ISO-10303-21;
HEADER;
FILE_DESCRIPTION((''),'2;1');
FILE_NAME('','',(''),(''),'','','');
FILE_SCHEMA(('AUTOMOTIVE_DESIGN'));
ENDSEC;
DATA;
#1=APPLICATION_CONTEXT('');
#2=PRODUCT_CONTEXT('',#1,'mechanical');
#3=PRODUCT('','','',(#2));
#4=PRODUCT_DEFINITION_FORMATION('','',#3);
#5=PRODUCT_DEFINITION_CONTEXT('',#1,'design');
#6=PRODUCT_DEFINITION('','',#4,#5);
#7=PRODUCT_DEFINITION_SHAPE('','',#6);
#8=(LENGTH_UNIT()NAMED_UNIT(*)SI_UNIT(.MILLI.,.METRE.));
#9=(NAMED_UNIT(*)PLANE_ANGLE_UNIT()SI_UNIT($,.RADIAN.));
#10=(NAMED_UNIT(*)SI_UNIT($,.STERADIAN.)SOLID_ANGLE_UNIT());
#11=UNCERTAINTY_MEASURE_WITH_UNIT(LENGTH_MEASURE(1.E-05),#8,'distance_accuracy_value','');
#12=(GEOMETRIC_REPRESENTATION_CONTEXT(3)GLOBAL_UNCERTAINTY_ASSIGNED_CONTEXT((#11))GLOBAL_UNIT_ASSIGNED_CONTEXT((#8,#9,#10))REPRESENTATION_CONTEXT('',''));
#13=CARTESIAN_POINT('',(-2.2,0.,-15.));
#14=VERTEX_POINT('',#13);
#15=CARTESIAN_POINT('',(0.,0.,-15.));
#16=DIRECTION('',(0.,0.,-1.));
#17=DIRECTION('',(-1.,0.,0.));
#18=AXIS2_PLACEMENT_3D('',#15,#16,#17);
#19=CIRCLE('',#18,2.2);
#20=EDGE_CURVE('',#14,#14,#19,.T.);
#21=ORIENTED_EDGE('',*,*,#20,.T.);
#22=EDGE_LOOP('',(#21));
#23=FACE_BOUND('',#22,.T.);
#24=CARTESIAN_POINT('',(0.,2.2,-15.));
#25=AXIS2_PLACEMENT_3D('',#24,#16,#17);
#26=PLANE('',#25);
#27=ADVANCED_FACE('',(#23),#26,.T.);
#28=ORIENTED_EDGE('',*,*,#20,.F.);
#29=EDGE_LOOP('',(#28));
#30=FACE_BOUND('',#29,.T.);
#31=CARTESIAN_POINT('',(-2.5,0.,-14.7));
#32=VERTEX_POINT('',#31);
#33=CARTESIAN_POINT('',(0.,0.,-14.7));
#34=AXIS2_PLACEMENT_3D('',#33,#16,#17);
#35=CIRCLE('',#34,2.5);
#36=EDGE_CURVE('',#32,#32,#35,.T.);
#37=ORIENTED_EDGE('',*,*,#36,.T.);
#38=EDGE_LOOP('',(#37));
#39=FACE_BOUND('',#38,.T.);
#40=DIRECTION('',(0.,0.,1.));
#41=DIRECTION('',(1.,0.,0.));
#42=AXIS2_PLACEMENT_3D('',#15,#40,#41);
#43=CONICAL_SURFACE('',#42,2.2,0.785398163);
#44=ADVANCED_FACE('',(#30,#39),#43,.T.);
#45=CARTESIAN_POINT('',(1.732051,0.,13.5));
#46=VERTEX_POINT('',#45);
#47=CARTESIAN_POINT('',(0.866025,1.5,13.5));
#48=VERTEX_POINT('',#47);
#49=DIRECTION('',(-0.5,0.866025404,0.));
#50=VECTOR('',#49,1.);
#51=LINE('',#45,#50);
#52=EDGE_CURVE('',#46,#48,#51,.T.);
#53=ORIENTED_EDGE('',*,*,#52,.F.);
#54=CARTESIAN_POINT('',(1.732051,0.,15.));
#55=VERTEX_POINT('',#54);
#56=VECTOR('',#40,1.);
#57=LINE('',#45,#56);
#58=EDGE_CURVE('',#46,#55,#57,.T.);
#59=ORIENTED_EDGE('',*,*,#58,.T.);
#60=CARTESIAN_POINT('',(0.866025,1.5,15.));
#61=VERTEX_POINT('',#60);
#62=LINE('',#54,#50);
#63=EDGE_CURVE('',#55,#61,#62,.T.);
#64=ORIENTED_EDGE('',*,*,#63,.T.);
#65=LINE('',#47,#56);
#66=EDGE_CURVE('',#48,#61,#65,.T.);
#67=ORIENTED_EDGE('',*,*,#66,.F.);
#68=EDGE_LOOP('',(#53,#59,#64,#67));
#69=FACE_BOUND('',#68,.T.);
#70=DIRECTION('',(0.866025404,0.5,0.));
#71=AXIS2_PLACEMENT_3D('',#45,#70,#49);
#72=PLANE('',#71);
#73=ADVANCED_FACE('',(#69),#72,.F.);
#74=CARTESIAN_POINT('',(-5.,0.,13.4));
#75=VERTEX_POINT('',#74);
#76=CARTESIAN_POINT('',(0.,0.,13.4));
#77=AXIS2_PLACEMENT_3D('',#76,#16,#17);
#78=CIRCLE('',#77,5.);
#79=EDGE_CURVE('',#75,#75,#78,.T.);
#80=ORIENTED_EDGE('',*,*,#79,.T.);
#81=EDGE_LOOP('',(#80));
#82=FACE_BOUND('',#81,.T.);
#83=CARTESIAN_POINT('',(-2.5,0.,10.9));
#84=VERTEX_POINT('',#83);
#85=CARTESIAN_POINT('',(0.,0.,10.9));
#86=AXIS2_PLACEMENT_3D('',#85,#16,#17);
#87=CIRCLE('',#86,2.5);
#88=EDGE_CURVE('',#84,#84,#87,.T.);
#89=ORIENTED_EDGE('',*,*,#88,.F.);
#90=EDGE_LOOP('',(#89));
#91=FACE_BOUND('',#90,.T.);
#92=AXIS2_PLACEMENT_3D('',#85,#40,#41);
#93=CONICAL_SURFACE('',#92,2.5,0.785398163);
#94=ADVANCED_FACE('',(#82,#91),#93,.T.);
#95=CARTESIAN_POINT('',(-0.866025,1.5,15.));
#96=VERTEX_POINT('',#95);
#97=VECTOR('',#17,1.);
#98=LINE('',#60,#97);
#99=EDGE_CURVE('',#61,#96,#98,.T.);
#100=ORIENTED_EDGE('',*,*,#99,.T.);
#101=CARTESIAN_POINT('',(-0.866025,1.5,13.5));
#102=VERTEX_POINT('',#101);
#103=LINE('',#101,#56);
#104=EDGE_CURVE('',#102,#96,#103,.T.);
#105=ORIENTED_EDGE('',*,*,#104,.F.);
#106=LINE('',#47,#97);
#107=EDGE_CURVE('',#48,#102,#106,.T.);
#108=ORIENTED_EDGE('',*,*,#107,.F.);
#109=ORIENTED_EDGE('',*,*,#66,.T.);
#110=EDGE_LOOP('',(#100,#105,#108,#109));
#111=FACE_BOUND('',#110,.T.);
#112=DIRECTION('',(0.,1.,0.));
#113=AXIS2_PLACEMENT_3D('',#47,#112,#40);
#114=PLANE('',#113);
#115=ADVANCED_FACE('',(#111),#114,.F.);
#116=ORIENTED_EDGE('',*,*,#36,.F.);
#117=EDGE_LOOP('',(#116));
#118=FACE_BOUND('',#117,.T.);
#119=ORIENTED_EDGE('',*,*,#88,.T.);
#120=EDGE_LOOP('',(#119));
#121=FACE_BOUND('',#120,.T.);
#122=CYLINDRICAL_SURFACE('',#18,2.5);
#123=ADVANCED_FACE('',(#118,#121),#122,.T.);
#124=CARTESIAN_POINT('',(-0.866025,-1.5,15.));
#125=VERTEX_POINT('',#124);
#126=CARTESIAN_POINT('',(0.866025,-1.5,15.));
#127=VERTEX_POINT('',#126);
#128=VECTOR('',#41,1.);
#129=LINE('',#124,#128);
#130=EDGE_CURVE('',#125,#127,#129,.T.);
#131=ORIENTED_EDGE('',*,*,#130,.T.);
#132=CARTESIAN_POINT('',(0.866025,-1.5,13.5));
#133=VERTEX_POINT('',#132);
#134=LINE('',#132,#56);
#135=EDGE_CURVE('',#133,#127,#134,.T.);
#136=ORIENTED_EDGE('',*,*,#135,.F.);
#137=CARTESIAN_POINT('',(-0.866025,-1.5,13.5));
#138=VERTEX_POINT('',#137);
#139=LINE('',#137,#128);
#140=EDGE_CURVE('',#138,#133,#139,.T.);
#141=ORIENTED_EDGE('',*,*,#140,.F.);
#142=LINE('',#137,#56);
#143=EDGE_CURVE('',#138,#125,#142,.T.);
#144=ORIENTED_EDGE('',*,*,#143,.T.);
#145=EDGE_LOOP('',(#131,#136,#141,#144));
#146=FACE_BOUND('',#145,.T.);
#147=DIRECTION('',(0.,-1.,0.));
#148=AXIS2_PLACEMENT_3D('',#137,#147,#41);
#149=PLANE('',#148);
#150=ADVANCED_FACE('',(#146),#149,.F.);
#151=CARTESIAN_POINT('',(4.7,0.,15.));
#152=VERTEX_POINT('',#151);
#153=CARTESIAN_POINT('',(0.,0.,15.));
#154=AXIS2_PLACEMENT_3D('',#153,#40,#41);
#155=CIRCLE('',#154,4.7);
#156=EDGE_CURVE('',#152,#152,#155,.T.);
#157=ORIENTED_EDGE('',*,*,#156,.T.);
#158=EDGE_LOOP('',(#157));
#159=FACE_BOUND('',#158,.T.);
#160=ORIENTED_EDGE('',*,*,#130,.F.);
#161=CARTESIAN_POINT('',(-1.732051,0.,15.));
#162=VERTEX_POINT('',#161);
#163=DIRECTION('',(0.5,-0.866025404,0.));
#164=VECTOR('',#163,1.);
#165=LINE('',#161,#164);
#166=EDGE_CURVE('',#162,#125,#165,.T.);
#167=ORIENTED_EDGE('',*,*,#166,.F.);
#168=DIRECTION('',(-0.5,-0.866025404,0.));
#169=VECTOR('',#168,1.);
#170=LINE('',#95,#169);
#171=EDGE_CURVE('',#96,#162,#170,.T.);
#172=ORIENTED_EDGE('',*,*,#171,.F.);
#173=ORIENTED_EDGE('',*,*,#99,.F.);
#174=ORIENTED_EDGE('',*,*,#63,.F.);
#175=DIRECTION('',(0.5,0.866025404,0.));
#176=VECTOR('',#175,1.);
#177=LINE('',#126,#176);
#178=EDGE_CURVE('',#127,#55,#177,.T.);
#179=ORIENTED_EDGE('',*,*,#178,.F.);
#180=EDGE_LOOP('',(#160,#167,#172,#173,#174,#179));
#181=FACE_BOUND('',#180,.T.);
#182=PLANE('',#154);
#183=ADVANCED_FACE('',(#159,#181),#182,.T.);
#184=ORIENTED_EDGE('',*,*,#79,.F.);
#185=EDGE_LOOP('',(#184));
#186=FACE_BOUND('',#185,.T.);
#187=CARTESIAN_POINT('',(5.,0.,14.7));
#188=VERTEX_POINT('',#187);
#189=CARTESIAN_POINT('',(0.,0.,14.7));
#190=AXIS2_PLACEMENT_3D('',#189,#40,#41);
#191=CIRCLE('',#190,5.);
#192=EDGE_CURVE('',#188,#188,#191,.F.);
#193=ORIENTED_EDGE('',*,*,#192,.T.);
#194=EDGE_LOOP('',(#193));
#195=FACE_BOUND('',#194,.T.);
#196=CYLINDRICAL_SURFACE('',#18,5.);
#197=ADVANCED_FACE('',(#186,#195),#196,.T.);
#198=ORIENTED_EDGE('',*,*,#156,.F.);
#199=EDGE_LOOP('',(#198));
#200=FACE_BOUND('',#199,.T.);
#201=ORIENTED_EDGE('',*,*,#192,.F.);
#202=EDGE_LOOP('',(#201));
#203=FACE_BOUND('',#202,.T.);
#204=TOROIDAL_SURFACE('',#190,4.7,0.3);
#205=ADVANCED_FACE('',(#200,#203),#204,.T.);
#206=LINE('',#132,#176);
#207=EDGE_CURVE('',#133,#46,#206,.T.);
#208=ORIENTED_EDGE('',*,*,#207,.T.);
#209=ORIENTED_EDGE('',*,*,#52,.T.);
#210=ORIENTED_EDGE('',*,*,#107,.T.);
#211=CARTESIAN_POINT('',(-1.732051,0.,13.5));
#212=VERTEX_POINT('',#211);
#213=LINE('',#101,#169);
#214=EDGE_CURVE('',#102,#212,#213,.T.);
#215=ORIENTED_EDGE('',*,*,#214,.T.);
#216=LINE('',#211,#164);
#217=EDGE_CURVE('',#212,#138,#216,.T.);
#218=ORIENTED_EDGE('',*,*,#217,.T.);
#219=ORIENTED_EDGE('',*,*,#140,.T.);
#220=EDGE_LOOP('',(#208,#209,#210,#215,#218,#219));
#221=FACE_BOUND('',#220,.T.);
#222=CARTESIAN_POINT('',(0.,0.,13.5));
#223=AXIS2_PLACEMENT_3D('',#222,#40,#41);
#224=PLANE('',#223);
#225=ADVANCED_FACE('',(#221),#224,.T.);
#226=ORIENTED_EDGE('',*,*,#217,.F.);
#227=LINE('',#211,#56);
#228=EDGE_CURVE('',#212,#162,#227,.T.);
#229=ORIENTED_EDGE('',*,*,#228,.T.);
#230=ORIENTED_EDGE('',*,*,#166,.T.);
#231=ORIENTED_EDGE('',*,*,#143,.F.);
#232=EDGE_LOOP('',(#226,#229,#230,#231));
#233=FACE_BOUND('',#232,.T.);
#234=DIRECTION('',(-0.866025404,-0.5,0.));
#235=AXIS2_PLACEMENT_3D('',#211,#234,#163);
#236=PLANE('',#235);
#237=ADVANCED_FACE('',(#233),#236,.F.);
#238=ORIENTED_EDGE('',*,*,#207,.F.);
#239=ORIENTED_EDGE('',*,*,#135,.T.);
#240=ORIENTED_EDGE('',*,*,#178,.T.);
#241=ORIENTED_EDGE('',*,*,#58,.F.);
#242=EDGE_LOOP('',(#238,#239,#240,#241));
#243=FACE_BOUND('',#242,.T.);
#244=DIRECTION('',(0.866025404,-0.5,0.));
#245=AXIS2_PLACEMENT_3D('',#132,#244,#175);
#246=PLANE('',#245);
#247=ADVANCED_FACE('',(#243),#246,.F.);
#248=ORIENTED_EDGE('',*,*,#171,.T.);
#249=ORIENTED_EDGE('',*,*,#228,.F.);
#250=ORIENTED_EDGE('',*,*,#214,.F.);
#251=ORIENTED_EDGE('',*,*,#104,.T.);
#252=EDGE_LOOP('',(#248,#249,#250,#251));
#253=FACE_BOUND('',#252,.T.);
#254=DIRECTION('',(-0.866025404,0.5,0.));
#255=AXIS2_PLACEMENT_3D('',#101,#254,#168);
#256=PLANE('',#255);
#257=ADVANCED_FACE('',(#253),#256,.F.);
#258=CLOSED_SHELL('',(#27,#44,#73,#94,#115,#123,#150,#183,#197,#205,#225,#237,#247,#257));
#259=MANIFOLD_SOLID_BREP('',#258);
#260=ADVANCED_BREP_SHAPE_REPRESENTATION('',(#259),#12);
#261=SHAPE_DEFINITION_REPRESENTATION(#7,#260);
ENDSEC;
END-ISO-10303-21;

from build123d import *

# Parameters (mm, degrees)
CUT_EXTRUDE_1_DEPTH = 1.5
FILLET_1_R          = 0.3


with BuildPart() as part:
    # 草图1 → 旋转1 (revolve)
    with BuildSketch(Plane(origin=(0, 0, 0), x_dir=(0, 0, -1), z_dir=(1, 0, 0)), mode=Mode.PRIVATE) as revolve_1_sk:
        Polygon((-15, 0), (-15, 5), (-13.4, 5), (-10.9, 2.5), (14.7, 2.5), (15, 2.2), (15, 0), align=None)
    revolve(revolve_1_sk.sketch.rotate(Axis((0, 0, -15), (0, 0, 1)), 90), axis=Axis((0, 0, -15), (0, 0, 1)))

    # 草图2 → 切除-拉伸1 (cut)
    with BuildSketch(Plane.XY.offset(15)):
        Polygon((1.732050808, 0), (0.866025404, 1.5), (-0.866025404, 1.5), (-1.732050808, 0), (-0.866025404, -1.5), (0.866025404, -1.5), align=None)
    extrude(amount=-CUT_EXTRUDE_1_DEPTH, mode=Mode.SUBTRACT)

    # 圆角1
    fillet_1_edges = [part.edges().sort_by_distance(p)[0] for p in [
        (5, 0, 15),
    ]]
    fillet(fillet_1_edges, radius=FILLET_1_R)


solid = part.part
